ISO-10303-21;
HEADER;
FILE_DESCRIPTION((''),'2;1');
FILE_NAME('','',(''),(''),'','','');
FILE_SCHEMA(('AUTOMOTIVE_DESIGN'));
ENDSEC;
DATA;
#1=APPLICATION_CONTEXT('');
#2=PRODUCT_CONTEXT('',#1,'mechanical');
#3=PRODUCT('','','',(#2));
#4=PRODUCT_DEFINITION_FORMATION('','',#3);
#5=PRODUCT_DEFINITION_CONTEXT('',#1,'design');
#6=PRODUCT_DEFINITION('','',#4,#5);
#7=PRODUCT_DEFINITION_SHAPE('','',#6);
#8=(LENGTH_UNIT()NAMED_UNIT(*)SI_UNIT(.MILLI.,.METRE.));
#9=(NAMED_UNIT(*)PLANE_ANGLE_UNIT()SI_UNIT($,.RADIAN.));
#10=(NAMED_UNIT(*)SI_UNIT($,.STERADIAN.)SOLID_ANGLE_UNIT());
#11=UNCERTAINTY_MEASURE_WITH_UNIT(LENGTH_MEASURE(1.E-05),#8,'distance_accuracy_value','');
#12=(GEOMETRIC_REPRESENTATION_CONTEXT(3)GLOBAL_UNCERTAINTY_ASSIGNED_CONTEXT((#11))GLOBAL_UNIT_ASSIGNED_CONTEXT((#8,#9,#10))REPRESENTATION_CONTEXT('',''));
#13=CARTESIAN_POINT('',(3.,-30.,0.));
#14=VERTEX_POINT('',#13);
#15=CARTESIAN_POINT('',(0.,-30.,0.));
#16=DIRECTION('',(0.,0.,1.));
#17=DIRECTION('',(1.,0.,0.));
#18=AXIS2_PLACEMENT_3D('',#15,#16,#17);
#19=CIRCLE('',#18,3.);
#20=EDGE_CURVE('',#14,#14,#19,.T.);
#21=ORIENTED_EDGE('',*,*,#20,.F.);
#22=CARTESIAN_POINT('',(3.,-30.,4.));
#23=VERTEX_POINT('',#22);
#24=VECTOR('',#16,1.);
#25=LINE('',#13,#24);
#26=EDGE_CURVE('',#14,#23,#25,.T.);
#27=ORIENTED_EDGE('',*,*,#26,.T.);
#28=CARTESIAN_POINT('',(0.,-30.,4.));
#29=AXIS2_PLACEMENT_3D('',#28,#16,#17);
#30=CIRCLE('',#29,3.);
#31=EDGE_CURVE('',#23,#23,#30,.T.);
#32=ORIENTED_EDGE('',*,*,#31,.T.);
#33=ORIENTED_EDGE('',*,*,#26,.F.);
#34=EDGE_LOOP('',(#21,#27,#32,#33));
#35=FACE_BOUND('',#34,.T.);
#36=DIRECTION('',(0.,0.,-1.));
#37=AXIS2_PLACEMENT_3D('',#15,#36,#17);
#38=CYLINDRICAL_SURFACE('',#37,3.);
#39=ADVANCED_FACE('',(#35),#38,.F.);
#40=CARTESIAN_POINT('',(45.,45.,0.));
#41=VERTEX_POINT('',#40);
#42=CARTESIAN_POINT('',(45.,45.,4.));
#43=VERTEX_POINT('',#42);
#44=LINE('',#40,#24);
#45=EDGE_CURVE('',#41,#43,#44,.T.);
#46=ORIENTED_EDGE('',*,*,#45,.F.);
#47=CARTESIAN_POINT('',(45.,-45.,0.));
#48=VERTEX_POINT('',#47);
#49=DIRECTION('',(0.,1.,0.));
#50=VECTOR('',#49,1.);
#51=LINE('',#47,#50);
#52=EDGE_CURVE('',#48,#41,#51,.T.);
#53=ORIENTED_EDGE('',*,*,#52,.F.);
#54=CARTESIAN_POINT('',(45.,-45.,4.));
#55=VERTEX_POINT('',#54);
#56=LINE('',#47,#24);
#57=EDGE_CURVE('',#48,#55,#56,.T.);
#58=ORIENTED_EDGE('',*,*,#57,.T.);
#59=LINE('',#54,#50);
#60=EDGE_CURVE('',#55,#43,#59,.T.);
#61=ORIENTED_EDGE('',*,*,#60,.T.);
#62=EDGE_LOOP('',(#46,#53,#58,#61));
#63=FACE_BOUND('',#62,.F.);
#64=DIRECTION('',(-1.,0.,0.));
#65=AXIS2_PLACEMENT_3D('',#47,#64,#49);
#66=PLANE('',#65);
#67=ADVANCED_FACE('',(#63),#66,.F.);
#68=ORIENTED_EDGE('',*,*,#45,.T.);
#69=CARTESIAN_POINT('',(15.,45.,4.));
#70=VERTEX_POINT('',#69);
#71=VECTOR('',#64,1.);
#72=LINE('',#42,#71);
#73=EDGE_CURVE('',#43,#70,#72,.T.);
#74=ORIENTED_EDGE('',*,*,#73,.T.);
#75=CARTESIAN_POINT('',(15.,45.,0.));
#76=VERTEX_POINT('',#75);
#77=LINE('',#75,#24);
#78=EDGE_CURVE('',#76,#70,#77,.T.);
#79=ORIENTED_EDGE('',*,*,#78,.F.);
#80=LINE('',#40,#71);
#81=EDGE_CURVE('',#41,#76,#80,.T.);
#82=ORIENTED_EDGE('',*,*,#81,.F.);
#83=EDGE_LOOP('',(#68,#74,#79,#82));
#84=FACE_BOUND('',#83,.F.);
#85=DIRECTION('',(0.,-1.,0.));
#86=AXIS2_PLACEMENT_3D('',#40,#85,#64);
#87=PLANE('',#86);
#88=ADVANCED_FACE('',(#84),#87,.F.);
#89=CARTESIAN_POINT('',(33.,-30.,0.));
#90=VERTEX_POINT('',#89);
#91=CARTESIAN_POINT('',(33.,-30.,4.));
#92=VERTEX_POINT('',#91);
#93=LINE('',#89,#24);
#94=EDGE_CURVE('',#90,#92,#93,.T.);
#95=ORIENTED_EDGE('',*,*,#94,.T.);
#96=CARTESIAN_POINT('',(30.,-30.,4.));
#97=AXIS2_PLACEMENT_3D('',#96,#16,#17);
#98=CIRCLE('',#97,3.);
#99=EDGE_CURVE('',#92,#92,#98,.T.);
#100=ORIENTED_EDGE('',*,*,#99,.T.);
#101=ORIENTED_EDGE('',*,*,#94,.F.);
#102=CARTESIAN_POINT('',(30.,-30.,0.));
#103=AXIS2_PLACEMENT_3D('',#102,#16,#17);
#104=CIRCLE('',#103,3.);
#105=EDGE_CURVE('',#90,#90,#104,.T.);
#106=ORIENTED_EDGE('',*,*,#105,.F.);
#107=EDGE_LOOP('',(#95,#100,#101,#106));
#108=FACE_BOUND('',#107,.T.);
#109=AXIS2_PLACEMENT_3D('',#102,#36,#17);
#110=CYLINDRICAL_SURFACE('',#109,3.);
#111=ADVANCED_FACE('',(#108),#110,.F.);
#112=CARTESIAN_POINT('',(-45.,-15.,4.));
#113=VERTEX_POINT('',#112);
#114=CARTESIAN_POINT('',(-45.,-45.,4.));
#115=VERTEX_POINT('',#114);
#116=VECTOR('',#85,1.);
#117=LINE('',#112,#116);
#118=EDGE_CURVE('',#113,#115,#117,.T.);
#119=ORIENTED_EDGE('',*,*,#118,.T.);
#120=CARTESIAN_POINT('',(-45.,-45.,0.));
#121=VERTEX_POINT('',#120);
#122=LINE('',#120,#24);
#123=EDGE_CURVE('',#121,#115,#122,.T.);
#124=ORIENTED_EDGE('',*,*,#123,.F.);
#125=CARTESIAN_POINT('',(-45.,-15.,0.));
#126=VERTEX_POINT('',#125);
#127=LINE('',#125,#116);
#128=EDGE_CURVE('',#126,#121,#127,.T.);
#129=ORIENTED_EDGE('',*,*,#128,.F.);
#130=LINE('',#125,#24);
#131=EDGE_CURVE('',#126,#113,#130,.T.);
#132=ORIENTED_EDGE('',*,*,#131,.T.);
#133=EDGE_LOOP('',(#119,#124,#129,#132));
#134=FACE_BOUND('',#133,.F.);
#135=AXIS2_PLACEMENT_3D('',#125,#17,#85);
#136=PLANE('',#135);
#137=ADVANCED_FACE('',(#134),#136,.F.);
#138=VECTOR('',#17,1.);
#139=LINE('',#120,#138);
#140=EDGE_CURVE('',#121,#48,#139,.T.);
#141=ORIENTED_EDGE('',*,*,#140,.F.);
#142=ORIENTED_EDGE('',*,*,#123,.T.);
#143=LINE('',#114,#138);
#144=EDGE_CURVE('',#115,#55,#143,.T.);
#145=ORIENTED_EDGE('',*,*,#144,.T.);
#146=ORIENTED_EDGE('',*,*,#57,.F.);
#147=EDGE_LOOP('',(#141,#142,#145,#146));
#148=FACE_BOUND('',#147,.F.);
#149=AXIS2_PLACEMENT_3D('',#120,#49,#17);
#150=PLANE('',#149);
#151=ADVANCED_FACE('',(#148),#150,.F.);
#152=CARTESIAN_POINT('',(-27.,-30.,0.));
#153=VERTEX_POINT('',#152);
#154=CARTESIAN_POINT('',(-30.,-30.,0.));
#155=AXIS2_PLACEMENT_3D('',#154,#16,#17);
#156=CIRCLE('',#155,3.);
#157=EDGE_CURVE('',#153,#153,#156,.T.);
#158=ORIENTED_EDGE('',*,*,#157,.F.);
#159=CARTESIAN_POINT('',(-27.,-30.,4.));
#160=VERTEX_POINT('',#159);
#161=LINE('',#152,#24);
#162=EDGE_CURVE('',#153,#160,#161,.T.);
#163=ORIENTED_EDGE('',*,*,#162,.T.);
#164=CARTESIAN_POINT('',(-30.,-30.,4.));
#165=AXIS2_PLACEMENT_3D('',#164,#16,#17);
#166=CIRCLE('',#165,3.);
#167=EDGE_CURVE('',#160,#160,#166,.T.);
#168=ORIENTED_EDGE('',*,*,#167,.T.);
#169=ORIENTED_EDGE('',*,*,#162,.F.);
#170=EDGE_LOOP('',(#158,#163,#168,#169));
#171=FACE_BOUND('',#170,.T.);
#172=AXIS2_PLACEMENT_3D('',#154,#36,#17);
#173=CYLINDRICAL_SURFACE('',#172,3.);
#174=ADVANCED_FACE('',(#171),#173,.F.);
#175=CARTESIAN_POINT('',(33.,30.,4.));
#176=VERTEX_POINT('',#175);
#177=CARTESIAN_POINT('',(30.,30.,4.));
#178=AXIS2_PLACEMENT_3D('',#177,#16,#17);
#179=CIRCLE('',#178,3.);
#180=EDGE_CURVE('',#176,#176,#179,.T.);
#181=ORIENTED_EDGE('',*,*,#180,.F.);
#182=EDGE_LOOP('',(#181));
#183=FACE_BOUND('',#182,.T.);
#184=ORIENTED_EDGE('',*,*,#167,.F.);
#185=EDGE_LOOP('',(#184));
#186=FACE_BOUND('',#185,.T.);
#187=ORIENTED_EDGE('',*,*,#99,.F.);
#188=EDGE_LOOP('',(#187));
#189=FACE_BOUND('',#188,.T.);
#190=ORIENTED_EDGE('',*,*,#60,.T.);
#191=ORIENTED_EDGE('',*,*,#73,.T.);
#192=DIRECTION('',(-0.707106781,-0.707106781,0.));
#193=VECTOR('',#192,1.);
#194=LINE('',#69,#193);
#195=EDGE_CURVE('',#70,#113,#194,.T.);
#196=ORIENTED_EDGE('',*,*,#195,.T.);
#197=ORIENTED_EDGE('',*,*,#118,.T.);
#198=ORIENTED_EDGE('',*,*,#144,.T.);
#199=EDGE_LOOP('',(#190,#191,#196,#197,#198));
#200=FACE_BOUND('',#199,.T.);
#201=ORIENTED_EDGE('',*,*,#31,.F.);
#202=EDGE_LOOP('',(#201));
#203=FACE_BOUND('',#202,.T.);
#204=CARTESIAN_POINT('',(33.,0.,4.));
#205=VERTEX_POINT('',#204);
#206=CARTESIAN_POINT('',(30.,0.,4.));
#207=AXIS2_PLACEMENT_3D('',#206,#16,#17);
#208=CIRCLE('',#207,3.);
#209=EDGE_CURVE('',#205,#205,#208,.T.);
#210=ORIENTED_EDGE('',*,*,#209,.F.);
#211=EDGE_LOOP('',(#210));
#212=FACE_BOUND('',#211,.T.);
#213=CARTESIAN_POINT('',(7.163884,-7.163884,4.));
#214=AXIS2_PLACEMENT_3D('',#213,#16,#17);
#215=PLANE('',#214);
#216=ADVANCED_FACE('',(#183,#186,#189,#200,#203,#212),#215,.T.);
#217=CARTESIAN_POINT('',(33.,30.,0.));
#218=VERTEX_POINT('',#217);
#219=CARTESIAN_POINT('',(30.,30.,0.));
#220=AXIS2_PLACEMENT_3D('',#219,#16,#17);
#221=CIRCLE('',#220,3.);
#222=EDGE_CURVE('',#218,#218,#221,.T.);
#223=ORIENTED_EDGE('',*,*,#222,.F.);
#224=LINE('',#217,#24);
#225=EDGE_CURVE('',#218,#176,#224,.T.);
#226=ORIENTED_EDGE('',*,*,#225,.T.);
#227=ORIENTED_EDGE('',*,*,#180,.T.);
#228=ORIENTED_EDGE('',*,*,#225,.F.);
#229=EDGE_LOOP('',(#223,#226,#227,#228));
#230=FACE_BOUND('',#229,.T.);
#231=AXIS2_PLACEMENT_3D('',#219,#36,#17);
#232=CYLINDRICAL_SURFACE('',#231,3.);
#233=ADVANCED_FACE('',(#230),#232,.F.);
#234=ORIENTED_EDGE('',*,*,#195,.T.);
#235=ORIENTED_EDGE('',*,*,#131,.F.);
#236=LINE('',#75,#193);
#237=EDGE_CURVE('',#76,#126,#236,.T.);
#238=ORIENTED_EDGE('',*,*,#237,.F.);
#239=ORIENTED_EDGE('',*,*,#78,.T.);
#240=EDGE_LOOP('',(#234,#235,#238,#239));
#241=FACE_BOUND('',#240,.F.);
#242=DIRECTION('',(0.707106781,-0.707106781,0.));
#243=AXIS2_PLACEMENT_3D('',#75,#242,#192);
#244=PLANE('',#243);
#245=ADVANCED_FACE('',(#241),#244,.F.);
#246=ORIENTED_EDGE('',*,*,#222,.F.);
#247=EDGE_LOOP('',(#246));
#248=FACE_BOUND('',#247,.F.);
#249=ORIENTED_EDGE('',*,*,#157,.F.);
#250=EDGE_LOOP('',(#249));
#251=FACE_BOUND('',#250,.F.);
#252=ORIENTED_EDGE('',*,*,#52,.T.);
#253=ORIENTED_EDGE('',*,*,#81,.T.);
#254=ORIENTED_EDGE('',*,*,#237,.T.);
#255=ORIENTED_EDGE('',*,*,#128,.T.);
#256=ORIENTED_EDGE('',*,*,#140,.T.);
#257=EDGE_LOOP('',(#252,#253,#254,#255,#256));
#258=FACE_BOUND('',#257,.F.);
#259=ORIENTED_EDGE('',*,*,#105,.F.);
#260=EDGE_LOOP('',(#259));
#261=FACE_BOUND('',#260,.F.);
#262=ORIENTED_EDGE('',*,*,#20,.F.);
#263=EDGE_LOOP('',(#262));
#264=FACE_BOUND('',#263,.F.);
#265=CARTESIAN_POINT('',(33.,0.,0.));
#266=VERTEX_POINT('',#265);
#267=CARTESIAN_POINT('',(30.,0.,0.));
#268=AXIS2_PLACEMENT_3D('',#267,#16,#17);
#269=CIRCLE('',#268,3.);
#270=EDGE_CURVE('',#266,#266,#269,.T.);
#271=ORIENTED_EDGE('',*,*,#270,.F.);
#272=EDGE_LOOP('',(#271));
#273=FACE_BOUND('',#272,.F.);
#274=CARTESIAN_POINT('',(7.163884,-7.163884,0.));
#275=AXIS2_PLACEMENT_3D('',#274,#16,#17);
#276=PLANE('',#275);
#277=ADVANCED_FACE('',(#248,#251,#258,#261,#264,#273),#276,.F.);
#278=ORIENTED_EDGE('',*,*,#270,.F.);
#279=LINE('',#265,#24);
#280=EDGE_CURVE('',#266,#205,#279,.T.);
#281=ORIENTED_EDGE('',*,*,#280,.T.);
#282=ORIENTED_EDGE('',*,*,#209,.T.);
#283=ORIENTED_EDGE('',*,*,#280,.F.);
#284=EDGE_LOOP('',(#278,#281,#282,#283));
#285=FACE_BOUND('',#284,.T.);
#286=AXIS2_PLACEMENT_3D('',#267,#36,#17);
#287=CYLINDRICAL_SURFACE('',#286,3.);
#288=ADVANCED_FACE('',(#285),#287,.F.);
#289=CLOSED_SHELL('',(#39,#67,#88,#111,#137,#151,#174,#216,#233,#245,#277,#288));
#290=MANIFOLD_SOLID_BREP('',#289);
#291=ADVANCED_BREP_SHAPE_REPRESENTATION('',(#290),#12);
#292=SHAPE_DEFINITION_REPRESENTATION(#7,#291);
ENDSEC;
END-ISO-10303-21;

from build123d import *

# Parameters (mm, degrees)
F0_R     = 3
F1_DEPTH = 4


with BuildPart() as f1:
    # F0 (on Top) → F1 (new body)
    with BuildSketch(Plane.XY):
        Polygon((-45, -45), (45, -45), (45, 45), (15, 45), (-45, -15), align=None)
        with Locations((-30, -30)):
            Circle(F0_R, mode=Mode.SUBTRACT)
        with Locations((0, -30)):
            Circle(F0_R, mode=Mode.SUBTRACT)
        with Locations((30, -30)):
            Circle(F0_R, mode=Mode.SUBTRACT)
        with Locations((30, 0)):
            Circle(F0_R, mode=Mode.SUBTRACT)
        with Locations((30, 30)):
            Circle(F0_R, mode=Mode.SUBTRACT)
    extrude(amount=F1_DEPTH)


solid = f1.part
